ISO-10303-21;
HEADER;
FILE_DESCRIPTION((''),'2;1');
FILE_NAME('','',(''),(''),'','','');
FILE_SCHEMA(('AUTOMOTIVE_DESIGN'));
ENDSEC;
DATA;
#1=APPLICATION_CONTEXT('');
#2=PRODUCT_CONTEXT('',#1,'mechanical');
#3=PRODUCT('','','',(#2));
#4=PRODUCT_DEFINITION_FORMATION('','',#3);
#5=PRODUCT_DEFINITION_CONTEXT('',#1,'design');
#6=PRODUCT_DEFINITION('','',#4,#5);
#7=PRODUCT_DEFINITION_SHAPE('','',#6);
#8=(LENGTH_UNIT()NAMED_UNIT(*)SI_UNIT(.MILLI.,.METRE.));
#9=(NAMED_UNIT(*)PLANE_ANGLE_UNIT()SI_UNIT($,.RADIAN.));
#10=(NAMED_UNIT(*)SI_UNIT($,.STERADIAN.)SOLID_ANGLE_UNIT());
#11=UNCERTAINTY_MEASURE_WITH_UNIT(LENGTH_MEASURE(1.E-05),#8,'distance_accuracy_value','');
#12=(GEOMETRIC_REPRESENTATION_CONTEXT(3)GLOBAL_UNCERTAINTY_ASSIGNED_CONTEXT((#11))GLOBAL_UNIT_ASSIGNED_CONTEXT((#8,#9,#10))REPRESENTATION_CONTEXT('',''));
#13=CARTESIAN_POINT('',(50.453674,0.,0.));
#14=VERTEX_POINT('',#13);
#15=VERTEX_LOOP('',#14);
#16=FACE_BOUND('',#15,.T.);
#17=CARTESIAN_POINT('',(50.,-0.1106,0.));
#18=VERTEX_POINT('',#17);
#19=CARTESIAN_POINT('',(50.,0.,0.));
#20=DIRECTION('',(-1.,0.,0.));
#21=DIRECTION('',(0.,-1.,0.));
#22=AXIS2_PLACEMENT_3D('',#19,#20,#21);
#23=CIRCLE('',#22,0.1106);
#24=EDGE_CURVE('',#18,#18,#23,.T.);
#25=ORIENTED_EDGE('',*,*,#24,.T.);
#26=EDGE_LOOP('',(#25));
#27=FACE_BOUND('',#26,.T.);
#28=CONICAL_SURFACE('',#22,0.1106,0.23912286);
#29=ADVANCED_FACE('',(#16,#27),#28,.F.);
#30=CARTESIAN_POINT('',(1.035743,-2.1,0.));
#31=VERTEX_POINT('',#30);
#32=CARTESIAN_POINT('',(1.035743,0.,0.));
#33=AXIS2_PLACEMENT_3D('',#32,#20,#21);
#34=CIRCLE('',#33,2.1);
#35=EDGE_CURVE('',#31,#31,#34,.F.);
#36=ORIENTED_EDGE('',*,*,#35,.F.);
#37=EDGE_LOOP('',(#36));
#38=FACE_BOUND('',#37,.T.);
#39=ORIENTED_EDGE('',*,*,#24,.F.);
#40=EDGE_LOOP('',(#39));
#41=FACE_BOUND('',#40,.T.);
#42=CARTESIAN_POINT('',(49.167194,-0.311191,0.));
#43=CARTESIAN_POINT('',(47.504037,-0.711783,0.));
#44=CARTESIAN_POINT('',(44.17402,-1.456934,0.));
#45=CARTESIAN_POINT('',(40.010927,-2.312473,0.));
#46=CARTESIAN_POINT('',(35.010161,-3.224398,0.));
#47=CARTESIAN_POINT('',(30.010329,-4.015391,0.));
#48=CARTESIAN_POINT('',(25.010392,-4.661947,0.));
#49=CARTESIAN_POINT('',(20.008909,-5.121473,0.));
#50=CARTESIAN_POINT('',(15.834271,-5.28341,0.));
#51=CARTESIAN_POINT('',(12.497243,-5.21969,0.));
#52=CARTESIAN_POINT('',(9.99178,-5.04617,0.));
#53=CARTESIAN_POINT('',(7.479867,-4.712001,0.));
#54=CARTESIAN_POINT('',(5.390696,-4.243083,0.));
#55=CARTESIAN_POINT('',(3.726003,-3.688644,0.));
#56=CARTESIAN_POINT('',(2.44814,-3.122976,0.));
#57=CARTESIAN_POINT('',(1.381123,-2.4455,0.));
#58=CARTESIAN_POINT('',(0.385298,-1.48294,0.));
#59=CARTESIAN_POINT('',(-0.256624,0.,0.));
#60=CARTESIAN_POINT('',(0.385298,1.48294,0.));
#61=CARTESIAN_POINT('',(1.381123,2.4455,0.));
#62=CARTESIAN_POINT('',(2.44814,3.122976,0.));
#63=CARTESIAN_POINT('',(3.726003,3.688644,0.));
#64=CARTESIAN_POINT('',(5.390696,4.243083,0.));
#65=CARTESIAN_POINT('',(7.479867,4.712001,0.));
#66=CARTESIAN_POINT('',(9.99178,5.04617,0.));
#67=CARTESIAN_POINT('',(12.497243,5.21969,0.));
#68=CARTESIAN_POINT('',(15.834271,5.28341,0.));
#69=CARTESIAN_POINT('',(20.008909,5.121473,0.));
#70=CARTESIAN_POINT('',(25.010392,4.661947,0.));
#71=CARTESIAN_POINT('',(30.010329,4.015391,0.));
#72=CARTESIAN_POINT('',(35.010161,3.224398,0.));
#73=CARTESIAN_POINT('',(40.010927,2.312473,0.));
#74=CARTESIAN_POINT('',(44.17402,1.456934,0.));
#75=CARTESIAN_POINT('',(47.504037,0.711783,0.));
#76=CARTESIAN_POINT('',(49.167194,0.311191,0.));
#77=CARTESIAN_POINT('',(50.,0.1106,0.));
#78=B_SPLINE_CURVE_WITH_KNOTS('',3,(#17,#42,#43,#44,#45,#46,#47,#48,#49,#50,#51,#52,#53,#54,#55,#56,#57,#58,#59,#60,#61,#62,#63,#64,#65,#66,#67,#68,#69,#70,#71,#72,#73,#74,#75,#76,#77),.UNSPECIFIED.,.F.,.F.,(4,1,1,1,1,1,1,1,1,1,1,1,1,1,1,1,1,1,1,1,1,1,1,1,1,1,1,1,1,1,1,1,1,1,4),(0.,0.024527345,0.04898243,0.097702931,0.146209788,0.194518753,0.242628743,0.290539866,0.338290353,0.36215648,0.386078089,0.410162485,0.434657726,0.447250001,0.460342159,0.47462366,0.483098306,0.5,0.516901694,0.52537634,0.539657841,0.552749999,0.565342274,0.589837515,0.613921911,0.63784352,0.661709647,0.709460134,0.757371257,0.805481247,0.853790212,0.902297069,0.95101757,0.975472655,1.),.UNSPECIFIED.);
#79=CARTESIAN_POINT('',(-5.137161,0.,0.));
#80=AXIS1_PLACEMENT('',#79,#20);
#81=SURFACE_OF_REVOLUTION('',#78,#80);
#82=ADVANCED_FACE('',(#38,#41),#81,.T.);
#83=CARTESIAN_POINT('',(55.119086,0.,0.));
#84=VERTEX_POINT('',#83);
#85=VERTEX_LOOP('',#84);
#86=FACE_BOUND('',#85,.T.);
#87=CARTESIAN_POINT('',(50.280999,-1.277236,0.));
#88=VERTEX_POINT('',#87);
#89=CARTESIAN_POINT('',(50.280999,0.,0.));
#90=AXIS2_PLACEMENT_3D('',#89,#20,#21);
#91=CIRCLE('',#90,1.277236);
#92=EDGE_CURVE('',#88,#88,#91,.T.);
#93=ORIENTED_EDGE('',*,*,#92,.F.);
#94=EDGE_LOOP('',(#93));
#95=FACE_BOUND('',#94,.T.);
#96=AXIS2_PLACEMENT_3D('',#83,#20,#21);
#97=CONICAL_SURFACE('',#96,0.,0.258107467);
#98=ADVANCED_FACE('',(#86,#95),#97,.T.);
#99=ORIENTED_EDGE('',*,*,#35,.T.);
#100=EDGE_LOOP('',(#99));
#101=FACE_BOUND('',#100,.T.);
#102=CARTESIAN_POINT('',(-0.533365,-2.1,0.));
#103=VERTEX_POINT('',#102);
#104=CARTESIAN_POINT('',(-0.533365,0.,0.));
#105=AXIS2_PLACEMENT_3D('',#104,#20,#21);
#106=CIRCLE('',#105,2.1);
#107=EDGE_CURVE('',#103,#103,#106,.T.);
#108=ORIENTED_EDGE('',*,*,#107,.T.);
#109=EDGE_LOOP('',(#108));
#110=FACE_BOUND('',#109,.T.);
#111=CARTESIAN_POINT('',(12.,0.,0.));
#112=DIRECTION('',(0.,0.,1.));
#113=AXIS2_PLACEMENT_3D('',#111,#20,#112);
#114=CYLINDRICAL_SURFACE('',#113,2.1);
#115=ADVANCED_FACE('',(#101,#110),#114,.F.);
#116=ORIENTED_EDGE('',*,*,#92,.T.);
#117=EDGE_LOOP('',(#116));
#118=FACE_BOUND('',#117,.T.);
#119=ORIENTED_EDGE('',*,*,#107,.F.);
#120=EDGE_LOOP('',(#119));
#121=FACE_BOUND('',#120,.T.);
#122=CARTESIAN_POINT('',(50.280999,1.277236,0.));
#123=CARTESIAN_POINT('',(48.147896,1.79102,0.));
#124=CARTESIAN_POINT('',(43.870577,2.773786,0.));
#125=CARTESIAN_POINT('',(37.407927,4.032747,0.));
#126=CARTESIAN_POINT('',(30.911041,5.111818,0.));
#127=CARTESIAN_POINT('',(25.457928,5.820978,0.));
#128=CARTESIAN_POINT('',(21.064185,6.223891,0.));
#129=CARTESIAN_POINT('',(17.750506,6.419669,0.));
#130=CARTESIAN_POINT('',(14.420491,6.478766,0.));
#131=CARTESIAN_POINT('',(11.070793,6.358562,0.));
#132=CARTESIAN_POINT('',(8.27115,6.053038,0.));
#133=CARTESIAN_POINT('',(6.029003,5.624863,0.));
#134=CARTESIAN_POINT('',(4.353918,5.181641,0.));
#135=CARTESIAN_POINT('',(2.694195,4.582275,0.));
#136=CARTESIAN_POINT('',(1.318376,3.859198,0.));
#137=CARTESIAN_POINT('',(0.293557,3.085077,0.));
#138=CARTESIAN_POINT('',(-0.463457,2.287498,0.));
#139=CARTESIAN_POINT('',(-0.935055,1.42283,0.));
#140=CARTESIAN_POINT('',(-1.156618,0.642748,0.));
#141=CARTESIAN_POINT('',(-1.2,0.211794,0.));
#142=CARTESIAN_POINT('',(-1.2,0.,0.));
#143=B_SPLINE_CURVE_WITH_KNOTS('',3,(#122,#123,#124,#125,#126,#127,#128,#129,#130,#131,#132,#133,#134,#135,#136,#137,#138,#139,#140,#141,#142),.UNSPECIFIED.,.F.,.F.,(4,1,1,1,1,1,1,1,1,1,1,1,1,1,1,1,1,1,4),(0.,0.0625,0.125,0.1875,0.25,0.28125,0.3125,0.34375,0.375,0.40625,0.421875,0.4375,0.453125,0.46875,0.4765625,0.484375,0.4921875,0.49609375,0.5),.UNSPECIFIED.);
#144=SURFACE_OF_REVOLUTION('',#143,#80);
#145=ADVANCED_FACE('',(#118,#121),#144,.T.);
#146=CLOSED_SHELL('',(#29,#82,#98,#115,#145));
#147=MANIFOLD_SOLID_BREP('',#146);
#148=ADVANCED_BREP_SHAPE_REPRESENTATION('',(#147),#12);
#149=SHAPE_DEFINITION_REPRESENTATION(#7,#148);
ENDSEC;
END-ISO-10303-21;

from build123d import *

# Parameters (mm, degrees)
CUT_EXTRUDE1_DEPTH      = 12
CUT_EXTRUDE1_DEPTH_BACK = 56.869113742
SKETCH5_R               = 2.1


with BuildPart() as part:
    # Sketch3 → Revolve2 (revolve)
    with BuildSketch(Plane.XY):
        with BuildLine():
            Line((-1.2, 0), (0, 0))
            add(Edge.make_bspline(
                [(50, 0.1106), (49.16719445, 0.311191457), (47.504036885, 0.711783406), (44.174019643, 1.456934223), (40.010927106, 2.31247348), (35.010160956, 3.224397804), (30.010328611, 4.015390931), (25.010392224, 4.661947433), (20.008909429, 5.121472646), (15.834270935, 5.283409693), (12.497243037, 5.219689649), (9.991780073, 5.046170407), (7.479866613, 4.712001339), (5.390696225, 4.243082538), (3.726003061, 3.688643877), (2.448139945, 3.122975707), (1.381123298, 2.445499898), (0.385297698, 1.482939967), (0, 0.592842082), (0, 0)],
                knots=[0, 0, 0, 0, 0.024527345, 0.04898243, 0.097702931, 0.146209788, 0.194518753, 0.242628743, 0.290539866, 0.338290353, 0.36215648, 0.386078089, 0.410162485, 0.434657726, 0.447250001, 0.460342159, 0.47462366, 0.483098306, 0.5, 0.5, 0.5, 0.5], degree=3))
            Line((50, 0.1106), (50.45367429, 0))
            Line((50.45367429, 0), (55.119085664, 0))
            Line((55.119085664, 0), (50.280998647, 1.277236087))
            add(Edge.make_bspline(
                [(50.280998647, 1.277236087), (48.147896407, 1.791019991), (43.870577432, 2.773786471), (37.407927171, 4.032747244), (30.911041321, 5.111817887), (25.457927784, 5.820978318), (21.064184693, 6.223891391), (17.75050566, 6.419669136), (14.420491339, 6.47876551), (11.070793449, 6.358561561), (8.271149528, 6.053038371), (6.029002711, 5.624862658), (4.353917508, 5.181640752), (2.694194526, 4.582275468), (1.318376128, 3.859197799), (0.293556689, 3.085076962), (-0.463457377, 2.28749832), (-0.935055128, 1.42283027), (-1.156618104, 0.642748024), (-1.2, 0.211793679), (-1.2, 0)],
                knots=[0, 0, 0, 0, 0.0625, 0.125, 0.1875, 0.25, 0.28125, 0.3125, 0.34375, 0.375, 0.40625, 0.421875, 0.4375, 0.453125, 0.46875, 0.4765625, 0.484375, 0.4921875, 0.49609375, 0.5, 0.5, 0.5, 0.5], degree=3))
        make_face()
    revolve(axis=Axis((-5.137160705, 0, 0), (1, 0, 0)))

    # Sketch5 → Cut-Extrude1 (cut, two sides: drawn at the far end of the back side and taken through both)
    with BuildSketch(Plane(origin=(0, 0, 0), x_dir=(0, 0, -1), z_dir=(1, 0, 0)).offset(-CUT_EXTRUDE1_DEPTH_BACK)):
        Circle(SKETCH5_R)
    extrude(amount=CUT_EXTRUDE1_DEPTH + CUT_EXTRUDE1_DEPTH_BACK, mode=Mode.SUBTRACT)


solid = part.part
